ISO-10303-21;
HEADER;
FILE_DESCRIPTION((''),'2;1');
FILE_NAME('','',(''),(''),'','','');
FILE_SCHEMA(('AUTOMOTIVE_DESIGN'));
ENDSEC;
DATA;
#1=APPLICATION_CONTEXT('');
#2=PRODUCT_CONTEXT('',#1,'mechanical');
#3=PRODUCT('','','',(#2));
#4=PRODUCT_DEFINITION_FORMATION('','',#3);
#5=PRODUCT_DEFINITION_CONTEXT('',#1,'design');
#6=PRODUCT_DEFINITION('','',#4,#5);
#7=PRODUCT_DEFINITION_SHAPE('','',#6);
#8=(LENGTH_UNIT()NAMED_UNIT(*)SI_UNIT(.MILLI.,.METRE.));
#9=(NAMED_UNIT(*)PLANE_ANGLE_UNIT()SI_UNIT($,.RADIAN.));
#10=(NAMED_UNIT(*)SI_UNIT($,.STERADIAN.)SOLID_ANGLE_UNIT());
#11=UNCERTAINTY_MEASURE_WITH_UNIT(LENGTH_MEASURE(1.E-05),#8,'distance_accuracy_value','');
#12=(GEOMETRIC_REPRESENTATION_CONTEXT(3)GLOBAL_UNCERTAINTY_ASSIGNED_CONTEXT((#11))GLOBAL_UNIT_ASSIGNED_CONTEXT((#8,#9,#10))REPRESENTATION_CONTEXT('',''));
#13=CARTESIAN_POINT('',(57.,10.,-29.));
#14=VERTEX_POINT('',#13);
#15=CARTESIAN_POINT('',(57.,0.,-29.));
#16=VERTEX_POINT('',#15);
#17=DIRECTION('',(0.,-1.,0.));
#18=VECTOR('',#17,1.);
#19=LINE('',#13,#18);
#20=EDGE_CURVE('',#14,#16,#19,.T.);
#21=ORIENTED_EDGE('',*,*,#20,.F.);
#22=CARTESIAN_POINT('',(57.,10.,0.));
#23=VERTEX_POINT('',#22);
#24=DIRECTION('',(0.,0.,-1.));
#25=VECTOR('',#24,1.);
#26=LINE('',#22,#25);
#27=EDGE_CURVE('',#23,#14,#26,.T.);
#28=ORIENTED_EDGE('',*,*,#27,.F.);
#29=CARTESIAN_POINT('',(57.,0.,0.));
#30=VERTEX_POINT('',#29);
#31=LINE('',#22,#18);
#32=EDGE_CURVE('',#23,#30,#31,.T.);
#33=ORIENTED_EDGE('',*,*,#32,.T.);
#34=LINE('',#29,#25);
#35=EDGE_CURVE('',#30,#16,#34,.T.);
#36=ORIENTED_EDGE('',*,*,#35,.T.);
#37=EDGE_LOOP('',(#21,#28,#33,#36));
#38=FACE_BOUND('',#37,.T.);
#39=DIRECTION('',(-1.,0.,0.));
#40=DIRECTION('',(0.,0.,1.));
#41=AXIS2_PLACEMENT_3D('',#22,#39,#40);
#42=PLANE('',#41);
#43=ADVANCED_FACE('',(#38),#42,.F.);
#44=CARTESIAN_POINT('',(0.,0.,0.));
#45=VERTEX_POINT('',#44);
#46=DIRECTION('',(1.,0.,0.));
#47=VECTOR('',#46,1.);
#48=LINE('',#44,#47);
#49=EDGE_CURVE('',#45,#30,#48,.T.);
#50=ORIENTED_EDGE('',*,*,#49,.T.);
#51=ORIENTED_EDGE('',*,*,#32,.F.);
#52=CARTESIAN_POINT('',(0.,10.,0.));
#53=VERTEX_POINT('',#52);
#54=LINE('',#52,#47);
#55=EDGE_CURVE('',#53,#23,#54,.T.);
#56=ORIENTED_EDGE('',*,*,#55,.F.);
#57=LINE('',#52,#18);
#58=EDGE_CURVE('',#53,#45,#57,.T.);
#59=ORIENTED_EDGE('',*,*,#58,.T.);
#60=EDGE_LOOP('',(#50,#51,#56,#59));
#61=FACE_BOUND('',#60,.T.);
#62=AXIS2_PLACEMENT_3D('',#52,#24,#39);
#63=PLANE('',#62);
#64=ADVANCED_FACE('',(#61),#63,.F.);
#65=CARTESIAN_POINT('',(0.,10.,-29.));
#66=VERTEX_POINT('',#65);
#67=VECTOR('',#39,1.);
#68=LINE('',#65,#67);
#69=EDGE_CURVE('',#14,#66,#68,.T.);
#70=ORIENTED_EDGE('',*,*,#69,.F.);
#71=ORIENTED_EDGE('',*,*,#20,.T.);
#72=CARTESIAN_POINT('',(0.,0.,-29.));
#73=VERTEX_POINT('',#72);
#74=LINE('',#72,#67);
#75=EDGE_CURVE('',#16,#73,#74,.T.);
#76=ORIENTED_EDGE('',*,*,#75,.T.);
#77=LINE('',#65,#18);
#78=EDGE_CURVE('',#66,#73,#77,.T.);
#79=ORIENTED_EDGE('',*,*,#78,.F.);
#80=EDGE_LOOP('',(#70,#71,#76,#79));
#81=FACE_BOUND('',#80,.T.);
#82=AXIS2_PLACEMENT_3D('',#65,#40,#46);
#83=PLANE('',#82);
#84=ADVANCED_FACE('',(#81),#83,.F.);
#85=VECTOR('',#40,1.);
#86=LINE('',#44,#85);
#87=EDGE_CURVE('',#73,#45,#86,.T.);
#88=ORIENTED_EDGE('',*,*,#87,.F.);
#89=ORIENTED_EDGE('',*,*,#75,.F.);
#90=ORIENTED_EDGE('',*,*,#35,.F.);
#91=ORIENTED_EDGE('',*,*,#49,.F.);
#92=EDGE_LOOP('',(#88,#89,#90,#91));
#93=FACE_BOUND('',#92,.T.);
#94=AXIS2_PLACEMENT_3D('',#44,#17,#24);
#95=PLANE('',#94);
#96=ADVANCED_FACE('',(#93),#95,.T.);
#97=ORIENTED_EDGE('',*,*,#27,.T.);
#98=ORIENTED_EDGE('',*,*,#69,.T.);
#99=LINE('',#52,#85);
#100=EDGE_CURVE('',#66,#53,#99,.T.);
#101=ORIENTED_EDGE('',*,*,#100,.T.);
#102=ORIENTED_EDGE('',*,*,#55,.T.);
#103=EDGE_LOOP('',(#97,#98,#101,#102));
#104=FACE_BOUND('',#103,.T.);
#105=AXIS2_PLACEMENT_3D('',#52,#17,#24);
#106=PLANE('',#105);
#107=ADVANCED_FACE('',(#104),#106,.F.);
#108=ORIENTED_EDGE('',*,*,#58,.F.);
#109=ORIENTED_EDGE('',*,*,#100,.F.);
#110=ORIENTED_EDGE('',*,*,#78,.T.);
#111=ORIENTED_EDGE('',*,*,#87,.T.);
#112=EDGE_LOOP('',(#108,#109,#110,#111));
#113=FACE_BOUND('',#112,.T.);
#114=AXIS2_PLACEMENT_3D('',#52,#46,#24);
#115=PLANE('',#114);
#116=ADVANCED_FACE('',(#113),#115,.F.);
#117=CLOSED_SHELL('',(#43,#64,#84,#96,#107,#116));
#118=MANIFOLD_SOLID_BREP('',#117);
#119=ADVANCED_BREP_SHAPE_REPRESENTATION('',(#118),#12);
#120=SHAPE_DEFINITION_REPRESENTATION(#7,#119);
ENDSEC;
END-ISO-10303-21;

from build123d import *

# Parameters (mm, degrees)
SKETCH1_W           = 57
SKETCH1_H           = 29
BOSS_EXTRUDE1_DEPTH = 10


with BuildPart() as part:
    # Sketch1 → Boss-Extrude1 (new body)
    with BuildSketch(Plane(origin=(0, 0, 0), x_dir=(1, 0, 0), z_dir=(0, 1, 0))):
        with Locations((28.5, 14.5)):
            Rectangle(SKETCH1_W, SKETCH1_H)
    extrude(amount=BOSS_EXTRUDE1_DEPTH)


solid = part.part
